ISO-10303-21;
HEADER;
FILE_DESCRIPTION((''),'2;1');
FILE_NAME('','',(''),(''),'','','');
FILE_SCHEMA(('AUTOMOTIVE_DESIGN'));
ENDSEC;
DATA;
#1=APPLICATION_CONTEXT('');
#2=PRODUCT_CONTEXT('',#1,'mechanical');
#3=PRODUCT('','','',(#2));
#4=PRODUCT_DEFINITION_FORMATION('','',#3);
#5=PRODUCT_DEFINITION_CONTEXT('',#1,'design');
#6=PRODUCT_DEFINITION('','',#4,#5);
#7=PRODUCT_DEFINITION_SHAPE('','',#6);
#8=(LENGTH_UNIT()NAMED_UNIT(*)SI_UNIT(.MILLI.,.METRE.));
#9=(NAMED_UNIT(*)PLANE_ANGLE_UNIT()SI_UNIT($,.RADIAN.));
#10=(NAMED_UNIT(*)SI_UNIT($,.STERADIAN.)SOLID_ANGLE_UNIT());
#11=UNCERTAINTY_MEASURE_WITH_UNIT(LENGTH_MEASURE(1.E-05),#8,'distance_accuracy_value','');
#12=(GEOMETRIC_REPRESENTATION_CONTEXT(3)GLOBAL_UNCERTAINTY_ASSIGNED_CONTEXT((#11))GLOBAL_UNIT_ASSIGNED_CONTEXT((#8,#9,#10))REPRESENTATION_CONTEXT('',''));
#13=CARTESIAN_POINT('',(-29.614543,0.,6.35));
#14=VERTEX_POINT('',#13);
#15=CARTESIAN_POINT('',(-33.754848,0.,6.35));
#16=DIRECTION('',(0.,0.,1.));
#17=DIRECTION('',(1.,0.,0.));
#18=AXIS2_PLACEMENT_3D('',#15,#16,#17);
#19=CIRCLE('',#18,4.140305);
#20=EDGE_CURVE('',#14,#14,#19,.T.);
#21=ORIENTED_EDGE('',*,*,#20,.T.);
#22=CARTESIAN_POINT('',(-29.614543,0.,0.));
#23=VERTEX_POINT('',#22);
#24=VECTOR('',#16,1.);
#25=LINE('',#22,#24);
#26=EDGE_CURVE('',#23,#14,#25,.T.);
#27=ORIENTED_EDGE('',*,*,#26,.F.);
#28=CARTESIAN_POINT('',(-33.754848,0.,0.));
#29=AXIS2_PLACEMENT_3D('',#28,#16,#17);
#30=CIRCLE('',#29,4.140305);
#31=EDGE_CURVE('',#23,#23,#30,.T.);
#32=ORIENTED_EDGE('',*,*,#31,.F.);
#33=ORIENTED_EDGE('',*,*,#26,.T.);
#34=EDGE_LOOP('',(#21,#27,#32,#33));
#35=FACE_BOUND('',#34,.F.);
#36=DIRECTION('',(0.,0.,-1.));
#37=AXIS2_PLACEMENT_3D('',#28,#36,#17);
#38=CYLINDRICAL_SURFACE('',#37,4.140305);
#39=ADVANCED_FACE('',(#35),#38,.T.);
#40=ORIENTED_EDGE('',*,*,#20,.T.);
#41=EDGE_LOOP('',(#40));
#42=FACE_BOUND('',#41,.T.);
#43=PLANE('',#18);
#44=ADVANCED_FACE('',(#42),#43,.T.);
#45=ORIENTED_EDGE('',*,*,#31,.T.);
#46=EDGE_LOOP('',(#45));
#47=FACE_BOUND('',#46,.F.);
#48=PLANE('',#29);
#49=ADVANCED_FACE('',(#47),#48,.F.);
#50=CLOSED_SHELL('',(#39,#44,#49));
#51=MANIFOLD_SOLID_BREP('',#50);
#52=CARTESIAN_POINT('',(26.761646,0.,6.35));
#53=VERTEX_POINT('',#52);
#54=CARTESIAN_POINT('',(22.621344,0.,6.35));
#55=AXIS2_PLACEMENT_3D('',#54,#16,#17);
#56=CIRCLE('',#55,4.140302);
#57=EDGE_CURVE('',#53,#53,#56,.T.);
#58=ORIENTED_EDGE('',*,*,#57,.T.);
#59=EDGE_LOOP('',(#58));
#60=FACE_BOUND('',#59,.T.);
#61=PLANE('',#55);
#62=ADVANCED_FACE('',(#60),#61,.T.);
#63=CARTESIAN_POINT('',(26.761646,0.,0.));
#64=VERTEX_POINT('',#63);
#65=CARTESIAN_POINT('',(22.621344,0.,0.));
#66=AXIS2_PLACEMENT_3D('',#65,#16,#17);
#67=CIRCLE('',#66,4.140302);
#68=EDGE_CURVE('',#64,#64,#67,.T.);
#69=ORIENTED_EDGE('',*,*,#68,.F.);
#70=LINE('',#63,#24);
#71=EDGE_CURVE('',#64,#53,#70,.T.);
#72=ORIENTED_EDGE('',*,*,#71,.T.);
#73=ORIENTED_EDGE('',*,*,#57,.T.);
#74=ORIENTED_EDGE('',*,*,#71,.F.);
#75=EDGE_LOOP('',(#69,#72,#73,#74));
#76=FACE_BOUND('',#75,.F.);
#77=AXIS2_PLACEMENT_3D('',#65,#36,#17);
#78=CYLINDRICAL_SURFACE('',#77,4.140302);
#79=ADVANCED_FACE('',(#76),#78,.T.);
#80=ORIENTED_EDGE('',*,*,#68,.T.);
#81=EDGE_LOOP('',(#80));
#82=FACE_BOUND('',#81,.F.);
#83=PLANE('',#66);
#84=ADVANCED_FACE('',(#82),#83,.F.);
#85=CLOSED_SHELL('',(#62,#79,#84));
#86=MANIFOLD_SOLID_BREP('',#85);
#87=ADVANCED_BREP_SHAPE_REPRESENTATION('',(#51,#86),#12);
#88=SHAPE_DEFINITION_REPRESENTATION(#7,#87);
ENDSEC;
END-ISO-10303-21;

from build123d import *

# Parameters (mm, degrees)
F0_R     = 4.140305
F1_R     = 4.140302
F2_DEPTH = 6.35


with BuildPart() as f2:
    # F0 (on Top) + F1 (on Top) → F2 (new body)
    with BuildSketch(Plane.XY):
        with Locations((-33.754848, 0)):
            Circle(F0_R)
    with BuildSketch(Plane.XY):
        with Locations((22.621344, 0)):
            Circle(F1_R)
    extrude(amount=F2_DEPTH)


solid = f2.part
